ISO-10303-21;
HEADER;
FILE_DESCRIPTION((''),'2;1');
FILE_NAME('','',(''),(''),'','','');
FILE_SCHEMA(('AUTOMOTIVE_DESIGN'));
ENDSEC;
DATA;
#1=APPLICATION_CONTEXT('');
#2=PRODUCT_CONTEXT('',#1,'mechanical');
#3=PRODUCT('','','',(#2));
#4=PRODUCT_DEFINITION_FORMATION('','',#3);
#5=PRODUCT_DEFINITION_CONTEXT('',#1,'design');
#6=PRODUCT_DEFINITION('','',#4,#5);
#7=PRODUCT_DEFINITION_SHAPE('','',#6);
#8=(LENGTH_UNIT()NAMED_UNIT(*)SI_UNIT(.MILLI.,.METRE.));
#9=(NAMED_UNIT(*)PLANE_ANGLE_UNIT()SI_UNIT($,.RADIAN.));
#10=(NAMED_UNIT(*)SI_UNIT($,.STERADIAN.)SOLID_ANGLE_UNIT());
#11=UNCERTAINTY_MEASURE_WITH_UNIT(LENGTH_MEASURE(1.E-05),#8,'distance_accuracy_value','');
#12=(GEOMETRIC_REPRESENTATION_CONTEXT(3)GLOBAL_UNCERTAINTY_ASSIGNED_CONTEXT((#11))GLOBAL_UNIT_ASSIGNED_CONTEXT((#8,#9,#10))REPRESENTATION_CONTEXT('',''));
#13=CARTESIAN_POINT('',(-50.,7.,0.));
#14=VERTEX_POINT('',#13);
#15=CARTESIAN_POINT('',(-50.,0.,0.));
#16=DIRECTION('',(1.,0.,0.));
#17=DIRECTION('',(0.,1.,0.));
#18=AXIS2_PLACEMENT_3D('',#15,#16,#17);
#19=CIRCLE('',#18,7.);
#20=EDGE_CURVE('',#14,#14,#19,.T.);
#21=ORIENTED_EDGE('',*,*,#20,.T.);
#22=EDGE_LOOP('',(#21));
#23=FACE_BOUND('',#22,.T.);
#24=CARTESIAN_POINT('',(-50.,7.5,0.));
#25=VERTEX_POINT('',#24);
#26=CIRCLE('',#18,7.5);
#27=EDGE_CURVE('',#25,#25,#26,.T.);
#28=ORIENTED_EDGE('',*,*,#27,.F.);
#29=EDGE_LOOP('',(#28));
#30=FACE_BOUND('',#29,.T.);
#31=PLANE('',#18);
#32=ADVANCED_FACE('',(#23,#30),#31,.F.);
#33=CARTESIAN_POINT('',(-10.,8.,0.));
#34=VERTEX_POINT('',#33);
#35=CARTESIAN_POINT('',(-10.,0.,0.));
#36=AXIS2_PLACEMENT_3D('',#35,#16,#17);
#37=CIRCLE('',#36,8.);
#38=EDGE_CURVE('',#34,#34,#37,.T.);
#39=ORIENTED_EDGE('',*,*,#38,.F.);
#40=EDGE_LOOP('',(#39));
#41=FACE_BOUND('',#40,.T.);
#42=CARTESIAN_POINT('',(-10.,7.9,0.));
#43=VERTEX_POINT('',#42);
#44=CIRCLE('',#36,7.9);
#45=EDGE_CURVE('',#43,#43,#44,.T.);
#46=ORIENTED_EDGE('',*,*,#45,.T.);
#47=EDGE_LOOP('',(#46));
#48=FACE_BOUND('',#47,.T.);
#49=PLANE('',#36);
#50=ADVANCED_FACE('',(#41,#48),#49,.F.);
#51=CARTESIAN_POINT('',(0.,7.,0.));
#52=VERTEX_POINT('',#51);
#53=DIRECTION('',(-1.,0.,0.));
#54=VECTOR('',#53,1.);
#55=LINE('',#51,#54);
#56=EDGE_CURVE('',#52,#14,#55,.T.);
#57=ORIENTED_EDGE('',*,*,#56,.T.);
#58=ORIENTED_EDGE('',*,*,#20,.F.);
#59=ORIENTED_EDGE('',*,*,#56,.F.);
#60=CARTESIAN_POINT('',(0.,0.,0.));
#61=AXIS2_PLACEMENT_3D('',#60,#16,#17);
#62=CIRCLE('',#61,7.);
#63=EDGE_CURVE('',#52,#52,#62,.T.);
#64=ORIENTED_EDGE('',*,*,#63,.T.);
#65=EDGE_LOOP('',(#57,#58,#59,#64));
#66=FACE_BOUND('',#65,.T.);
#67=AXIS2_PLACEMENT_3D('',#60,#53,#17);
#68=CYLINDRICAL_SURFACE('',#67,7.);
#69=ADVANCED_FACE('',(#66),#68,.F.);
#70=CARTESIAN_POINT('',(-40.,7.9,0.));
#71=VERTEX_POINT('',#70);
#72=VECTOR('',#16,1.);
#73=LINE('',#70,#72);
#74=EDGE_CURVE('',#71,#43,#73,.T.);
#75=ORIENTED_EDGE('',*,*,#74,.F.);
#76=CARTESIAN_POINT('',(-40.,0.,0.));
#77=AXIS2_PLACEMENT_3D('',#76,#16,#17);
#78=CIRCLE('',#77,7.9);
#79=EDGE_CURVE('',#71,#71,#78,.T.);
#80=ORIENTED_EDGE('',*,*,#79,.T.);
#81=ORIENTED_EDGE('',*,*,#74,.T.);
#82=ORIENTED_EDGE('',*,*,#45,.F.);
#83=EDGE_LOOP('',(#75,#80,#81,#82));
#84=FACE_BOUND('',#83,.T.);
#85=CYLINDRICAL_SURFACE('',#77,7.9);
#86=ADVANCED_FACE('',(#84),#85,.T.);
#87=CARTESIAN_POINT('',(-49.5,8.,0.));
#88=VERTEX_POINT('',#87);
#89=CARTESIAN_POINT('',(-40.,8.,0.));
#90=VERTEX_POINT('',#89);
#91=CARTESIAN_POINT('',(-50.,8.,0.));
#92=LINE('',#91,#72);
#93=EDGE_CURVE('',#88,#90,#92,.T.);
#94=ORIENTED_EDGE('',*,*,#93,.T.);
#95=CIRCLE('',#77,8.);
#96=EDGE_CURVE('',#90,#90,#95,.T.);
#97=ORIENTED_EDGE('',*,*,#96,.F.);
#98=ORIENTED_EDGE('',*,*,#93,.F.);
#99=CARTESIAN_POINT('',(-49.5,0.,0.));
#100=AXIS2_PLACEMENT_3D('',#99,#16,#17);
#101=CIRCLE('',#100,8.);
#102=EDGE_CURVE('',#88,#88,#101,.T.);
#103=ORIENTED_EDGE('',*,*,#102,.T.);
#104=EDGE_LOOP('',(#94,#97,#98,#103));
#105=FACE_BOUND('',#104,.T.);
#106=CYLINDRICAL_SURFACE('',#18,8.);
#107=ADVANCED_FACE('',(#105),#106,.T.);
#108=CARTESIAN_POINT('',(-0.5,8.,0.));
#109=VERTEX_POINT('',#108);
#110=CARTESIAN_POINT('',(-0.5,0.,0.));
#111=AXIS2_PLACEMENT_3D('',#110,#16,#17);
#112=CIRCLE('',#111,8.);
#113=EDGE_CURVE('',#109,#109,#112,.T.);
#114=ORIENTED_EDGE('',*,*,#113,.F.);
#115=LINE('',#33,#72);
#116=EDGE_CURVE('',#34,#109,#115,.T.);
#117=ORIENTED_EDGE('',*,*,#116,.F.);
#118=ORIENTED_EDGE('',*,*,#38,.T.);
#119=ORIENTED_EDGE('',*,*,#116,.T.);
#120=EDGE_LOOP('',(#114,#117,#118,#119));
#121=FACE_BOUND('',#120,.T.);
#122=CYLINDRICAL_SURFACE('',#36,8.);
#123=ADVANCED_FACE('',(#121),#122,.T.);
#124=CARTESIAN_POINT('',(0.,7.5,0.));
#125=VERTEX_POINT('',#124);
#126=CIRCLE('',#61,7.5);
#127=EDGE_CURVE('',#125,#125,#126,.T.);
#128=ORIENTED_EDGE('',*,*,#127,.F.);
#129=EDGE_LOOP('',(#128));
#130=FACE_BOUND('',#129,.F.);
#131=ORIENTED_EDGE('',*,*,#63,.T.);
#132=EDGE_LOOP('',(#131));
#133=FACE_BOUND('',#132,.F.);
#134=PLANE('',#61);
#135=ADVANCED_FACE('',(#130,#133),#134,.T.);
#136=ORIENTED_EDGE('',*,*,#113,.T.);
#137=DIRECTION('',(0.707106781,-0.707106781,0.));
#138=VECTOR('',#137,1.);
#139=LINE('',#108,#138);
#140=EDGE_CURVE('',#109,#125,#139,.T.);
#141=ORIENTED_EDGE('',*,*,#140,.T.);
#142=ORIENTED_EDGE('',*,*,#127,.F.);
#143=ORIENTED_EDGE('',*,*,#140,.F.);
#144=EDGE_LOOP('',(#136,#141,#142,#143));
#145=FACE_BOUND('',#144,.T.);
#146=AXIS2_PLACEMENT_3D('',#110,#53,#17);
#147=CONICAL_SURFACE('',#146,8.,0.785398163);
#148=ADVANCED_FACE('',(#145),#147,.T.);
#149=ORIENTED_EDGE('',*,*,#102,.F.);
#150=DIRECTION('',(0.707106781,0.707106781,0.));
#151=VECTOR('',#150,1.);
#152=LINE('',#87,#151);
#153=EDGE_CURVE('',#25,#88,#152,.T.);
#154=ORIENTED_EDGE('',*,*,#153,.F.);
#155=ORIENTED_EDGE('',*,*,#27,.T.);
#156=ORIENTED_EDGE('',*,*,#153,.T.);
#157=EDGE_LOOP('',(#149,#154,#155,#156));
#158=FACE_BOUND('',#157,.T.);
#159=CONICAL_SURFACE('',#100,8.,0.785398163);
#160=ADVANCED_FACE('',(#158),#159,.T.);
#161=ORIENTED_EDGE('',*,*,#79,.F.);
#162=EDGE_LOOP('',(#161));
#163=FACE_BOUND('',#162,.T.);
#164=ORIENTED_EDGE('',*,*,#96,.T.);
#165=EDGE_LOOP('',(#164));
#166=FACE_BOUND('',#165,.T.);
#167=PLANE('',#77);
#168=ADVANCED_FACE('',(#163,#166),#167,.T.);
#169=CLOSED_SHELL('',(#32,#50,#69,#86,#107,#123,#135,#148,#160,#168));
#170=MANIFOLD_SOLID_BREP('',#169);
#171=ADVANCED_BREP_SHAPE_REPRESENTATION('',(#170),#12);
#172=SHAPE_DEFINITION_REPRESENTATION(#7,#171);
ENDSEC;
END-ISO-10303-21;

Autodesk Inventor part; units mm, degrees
ref_plane "YZ Plane" through (0, 0, 0) normal (1, 0, 0) x (0, 1, 0)
ref_plane "XZ Plane" through (0, 0, 0) normal (0, 1, 0) x (-1, 0, 0)
ref_plane "XY Plane" through (0, 0, 0) normal (0, 0, 1) x (1, 0, 0)
sketch "Skizze1" plane through (0, 0, 0) normal (0, 0, 1) x (1, 0, 0)
  line L0 (-60, 0) -> (10, 0) projected
  line L1 (0, -1.6) -> (0, 9.6) projected
  line L2 (0, 7) -> (-50, 7)
  line L3 (-50, 7) -> (-50, 8)
  line L4 (-50, 8) -> (-40, 8)
  line L5 (-40, 8) -> (-40, 7.9)
  line L6 (-40, 7.9) -> (-10, 7.9)
  line L7 (-10, 7.9) -> (-10, 8)
  line L8 (-10, 8) -> (0, 8)
  line L9 (0, 7) -> (0, 8)
  point P0 (0, 0)
  dimension "d1" = 14
  dimension "d2" = 16
  dimension "d4" = 50
  dimension "d5" = 10
  dimension "d6" = 10
  dimension "d11" = 0.1
revolve "Umdrehung1" add sketch "Skizze1" angle 360 about axis through (-10, 0, 0) along (1, 0, 0)
chamfer "Fase1" distance 0.5 angle 45 2 edges at (0, -8, 0) (-50, -8, 0)
properties part number "13_0204_033"
